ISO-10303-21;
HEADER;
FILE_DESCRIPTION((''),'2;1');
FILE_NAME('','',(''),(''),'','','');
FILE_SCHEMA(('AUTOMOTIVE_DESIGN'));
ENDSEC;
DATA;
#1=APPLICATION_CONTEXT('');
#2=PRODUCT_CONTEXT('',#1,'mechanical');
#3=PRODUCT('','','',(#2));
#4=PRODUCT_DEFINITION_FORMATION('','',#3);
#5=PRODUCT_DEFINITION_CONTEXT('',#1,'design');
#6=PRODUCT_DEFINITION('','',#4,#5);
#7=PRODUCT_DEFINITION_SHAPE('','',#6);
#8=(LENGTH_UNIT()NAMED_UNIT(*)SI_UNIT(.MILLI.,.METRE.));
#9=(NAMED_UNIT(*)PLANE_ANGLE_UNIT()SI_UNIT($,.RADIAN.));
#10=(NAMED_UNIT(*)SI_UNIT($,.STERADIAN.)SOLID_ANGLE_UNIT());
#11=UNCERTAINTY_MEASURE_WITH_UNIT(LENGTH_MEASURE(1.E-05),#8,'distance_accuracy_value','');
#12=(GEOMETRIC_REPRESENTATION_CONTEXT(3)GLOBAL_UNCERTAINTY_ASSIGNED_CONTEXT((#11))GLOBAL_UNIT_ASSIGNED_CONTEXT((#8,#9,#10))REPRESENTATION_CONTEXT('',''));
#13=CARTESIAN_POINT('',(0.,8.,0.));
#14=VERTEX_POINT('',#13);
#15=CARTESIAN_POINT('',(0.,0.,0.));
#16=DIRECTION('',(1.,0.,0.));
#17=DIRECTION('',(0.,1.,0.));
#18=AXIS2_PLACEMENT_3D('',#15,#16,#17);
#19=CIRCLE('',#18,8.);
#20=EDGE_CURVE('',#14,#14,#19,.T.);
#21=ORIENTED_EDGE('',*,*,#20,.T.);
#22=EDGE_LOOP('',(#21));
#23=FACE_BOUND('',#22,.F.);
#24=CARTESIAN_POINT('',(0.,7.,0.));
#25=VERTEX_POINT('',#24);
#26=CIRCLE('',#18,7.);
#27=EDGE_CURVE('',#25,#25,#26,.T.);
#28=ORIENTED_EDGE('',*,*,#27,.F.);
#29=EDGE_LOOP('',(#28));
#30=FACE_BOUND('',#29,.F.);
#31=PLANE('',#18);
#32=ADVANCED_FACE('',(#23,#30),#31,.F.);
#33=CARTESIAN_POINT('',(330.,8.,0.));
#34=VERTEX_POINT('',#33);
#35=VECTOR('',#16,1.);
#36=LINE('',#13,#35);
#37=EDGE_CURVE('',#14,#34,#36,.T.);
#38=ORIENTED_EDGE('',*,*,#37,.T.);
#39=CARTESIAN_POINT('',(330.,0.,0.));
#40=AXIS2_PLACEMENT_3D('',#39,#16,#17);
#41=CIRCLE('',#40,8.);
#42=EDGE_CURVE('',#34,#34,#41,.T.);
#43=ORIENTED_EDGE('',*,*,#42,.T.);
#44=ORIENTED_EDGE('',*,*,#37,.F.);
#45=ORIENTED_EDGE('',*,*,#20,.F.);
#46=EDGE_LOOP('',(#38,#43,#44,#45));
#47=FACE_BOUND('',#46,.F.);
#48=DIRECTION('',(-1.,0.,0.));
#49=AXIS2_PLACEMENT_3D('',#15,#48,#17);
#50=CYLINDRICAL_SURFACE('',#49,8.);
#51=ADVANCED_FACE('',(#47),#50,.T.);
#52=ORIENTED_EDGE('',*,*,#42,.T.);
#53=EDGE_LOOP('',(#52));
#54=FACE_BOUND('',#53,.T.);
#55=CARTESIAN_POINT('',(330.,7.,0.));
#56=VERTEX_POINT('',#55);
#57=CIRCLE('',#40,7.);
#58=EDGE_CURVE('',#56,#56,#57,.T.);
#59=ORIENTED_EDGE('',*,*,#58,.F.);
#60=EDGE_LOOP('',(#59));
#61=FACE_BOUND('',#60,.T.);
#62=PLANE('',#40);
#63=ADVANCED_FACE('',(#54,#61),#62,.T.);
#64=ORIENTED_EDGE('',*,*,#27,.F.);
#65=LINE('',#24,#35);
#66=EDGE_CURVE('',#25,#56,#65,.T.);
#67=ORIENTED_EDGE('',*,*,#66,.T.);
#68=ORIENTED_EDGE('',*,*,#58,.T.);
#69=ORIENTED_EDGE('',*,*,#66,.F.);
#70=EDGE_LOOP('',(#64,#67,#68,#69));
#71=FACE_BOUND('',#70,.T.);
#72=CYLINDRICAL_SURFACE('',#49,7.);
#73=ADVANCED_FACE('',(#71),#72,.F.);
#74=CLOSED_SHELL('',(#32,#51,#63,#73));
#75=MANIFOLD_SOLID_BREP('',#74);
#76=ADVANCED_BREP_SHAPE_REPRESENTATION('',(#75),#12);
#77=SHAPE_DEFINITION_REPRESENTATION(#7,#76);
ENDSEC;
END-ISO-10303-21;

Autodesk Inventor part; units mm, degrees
ref_plane "YZ Plane" through (0, 0, 0) normal (1, 0, 0) x (0, 1, 0)
ref_plane "XZ Plane" through (0, 0, 0) normal (0, 1, 0) x (-1, 0, 0)
ref_plane "XY Plane" through (0, 0, 0) normal (0, 0, 1) x (1, 0, 0)
sketch "Sketch1" plane through (0, 0, 0) normal (1, 0, 0) x (0, 1, 0)
  circle A0 centre (0, 0) radius 8
  circle A1 centre (0, 0) radius 7
  dimension "d0" = 16
  dimension "d1" = 1
extrude "Extrusion1" add sketch "Sketch1" along normal blind 330
properties part number "TuboEstructura" material "Steel"
